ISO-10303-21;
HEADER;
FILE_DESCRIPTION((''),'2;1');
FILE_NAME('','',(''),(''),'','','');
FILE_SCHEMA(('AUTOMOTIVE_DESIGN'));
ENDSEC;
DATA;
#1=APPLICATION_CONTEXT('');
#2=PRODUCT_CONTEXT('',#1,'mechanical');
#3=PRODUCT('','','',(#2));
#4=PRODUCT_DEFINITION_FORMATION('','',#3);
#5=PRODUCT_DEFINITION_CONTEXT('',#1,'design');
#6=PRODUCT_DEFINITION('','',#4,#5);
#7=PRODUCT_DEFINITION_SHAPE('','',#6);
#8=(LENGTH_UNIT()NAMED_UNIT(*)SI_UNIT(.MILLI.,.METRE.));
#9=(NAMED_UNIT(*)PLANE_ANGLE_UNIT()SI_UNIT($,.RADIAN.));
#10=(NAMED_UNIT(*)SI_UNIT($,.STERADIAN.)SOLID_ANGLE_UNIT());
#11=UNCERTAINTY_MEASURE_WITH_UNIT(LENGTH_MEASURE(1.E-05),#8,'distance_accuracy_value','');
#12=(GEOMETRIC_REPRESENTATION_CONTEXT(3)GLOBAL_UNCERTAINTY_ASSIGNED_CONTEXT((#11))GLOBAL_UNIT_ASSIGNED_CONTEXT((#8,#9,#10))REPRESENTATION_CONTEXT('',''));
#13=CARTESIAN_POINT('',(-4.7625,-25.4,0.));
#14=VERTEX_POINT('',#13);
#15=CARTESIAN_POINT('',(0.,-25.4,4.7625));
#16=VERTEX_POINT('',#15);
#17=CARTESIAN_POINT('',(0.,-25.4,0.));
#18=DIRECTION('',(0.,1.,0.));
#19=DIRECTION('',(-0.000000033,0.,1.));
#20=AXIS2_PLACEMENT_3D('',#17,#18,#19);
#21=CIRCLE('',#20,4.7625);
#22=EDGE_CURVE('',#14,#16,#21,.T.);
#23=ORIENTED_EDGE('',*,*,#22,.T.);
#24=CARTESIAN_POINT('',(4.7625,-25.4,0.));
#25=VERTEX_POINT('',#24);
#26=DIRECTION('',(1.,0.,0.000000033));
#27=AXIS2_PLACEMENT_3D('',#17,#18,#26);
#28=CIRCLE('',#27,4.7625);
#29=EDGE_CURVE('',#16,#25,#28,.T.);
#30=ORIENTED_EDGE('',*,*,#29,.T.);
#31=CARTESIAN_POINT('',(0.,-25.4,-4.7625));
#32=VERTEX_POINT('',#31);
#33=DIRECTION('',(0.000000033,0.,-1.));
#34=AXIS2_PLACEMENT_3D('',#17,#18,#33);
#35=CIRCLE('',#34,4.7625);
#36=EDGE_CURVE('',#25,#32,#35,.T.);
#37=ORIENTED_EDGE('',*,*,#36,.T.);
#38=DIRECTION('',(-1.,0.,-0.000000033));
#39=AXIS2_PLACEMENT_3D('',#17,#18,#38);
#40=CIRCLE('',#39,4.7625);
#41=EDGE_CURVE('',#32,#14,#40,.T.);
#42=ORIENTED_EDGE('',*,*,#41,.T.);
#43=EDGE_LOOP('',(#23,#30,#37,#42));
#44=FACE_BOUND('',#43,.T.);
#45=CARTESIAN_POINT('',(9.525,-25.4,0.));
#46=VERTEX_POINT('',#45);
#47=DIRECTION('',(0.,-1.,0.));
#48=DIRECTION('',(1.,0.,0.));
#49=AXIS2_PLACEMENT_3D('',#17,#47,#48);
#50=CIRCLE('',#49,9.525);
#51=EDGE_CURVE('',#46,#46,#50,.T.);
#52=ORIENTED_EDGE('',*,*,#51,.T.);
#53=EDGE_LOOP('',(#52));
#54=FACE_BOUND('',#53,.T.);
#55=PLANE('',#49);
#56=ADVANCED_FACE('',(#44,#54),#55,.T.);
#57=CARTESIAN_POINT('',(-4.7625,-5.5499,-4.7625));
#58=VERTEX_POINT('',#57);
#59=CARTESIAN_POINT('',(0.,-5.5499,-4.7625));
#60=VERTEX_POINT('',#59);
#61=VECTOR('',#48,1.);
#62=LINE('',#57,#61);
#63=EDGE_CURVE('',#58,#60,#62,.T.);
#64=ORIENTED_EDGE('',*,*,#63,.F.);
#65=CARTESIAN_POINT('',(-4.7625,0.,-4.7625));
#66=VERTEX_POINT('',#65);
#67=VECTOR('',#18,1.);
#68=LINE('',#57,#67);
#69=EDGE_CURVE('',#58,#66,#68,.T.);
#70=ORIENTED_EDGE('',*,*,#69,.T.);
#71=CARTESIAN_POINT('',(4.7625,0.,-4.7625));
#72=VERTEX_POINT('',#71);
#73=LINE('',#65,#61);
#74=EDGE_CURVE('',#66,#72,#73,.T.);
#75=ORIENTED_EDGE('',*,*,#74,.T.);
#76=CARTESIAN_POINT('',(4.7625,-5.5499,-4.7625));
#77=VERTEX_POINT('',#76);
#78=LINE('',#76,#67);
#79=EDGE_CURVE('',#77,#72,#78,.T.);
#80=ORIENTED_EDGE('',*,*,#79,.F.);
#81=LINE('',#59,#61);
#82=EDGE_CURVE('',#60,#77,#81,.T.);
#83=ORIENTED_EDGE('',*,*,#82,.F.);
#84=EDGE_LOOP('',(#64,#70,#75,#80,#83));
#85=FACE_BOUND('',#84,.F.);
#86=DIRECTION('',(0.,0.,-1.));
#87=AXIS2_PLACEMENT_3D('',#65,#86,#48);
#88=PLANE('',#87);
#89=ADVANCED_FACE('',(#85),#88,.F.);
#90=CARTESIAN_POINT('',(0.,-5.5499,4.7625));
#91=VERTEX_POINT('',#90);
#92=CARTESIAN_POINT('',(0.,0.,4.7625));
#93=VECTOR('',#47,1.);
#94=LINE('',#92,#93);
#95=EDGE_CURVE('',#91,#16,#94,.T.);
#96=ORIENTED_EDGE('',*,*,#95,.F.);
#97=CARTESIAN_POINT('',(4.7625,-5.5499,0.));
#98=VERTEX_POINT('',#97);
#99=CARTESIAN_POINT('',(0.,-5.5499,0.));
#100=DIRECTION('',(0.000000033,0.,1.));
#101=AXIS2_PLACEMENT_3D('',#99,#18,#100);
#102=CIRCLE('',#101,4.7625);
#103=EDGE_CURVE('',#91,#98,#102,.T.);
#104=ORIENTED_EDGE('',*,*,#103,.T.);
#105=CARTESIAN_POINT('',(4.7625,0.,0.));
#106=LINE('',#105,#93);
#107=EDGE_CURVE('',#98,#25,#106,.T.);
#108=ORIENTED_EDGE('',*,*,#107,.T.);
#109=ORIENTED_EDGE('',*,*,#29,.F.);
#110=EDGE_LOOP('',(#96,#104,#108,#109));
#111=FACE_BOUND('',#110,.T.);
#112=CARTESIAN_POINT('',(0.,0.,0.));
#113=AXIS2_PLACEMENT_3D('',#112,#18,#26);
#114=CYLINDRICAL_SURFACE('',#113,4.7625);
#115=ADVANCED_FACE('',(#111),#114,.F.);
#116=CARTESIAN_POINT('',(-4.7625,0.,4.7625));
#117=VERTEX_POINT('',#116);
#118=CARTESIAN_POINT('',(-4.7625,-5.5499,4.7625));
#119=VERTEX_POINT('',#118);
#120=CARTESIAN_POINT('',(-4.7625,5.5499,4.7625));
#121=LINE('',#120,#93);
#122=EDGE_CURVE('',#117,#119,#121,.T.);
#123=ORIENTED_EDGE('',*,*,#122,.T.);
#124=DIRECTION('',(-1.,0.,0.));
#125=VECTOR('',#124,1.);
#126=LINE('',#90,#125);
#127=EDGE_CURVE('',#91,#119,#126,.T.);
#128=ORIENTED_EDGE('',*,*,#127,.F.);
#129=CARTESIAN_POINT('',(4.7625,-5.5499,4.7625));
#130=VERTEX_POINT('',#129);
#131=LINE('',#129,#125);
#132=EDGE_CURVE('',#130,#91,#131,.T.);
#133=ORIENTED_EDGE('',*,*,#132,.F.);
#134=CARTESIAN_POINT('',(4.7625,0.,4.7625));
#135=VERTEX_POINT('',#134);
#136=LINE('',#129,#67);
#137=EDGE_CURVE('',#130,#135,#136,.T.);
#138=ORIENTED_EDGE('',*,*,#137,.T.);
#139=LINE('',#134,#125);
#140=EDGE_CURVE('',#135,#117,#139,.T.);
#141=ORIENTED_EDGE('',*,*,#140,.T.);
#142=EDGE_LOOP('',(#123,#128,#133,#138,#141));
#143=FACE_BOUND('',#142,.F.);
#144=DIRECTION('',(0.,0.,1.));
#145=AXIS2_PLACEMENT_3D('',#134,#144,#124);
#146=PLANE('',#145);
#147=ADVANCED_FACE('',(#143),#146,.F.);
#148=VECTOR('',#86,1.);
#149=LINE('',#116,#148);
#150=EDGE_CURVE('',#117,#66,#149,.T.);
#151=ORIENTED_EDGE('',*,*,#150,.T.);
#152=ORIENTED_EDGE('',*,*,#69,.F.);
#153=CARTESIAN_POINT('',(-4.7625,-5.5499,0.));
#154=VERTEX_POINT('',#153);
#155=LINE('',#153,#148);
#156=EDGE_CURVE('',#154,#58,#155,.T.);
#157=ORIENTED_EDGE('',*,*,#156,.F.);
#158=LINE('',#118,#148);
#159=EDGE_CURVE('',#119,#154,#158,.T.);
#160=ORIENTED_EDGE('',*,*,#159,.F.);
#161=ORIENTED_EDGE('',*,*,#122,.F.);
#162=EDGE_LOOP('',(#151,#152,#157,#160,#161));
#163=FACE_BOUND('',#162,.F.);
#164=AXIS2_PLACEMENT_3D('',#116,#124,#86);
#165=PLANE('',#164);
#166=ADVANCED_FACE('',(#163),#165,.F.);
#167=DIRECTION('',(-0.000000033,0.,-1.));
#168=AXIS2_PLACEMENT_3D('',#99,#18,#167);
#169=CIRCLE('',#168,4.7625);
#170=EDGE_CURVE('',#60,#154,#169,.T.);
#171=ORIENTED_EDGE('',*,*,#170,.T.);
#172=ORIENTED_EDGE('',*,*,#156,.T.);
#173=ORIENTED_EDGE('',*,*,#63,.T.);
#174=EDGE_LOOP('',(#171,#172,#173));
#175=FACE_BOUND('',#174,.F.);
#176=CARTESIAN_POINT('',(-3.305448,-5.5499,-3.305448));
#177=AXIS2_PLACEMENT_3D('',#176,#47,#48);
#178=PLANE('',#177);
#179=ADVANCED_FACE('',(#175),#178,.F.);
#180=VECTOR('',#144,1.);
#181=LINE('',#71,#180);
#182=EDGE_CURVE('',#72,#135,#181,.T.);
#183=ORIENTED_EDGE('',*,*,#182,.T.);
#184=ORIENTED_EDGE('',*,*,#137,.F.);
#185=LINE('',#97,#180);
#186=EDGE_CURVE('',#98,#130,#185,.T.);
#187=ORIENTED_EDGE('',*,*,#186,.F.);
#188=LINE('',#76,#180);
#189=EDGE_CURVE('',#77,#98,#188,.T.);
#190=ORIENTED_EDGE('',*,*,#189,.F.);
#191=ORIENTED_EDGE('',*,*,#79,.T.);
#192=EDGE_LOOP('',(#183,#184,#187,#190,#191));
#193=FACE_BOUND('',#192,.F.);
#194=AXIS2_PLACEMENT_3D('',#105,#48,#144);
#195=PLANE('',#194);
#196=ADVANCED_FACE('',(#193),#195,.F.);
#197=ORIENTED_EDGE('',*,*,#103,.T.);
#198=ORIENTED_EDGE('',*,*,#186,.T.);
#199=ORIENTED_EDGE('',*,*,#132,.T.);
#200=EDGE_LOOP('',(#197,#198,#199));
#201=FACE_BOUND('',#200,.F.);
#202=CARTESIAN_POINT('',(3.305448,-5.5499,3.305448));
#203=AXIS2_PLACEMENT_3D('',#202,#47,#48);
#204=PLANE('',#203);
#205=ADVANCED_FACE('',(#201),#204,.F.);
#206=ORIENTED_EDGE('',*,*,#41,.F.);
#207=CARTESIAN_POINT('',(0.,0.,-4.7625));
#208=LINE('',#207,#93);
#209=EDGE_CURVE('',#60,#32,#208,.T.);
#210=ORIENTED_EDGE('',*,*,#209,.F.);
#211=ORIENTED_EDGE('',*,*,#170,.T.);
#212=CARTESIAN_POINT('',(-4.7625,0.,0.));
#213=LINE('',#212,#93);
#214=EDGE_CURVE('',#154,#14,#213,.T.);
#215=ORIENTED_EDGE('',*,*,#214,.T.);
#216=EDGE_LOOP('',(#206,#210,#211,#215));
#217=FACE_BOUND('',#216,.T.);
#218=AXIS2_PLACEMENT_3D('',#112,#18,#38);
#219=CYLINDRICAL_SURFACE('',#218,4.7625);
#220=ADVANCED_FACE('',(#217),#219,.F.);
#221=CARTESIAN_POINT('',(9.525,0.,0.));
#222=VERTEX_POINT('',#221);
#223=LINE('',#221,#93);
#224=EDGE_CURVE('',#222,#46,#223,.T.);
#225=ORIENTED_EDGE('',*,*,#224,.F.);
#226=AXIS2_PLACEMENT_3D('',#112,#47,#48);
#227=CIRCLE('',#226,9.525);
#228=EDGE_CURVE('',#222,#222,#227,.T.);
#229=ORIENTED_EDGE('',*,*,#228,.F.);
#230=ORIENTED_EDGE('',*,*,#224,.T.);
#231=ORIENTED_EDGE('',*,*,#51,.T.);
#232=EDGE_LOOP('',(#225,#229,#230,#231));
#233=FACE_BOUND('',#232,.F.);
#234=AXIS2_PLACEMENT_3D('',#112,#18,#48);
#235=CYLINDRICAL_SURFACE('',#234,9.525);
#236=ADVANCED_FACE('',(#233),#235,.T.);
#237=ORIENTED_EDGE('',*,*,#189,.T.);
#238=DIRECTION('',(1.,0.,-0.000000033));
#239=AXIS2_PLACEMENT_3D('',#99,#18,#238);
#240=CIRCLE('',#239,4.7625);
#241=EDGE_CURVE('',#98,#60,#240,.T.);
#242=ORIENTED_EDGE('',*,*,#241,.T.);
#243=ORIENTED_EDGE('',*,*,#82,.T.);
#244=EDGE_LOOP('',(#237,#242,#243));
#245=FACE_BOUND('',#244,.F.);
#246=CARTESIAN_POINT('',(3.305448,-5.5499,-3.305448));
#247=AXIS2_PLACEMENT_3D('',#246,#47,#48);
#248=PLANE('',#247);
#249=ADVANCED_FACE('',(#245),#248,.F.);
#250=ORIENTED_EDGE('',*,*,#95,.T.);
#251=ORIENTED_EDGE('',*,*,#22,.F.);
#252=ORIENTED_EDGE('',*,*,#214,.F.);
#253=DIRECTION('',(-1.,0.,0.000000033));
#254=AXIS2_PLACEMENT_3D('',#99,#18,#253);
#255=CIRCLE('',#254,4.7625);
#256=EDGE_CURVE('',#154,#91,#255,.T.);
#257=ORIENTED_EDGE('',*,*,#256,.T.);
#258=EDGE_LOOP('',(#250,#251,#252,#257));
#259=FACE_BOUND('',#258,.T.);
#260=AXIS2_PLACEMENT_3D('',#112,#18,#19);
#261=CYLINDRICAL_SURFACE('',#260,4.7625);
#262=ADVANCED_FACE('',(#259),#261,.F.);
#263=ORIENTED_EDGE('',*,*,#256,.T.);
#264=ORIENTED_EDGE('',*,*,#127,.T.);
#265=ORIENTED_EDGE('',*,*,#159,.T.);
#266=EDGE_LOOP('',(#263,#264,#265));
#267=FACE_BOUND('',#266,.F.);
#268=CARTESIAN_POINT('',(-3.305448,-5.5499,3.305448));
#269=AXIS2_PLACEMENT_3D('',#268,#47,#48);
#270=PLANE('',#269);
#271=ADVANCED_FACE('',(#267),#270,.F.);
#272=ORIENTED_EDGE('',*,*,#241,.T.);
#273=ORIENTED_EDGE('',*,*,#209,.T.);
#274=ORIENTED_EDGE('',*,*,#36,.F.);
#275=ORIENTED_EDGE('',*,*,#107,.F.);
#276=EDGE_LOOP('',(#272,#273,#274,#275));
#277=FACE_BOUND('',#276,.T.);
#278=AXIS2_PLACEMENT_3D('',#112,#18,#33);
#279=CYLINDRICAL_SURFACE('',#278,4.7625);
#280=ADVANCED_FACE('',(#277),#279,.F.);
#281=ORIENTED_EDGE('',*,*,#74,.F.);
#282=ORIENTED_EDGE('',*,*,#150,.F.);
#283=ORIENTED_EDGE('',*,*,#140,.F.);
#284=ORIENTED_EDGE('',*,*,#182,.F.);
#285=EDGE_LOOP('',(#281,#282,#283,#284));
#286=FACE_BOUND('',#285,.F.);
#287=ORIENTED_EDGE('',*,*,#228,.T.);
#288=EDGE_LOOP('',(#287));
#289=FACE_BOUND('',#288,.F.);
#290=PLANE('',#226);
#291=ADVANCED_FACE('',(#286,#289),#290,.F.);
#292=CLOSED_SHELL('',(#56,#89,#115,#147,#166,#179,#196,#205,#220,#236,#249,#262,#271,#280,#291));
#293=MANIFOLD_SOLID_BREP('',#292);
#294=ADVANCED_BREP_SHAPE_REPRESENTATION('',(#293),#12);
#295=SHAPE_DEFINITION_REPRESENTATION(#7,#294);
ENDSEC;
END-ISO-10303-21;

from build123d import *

# Parameters (mm, degrees)
F0_R     = 9.525
F1_DEPTH = 25.4
F3_DEPTH = 25.401
F4_DEPTH = 5.5499


with BuildPart() as f1:
    # F0 (on Front) → F1 (new body)
    with BuildSketch(Plane.XZ):
        Circle(F0_R)
    extrude(amount=F1_DEPTH)

    # F2 (on Front) → F3 (cut, through all)
    with BuildSketch(Plane.XZ):
        with BuildLine():
            ThreePointArc((4.7625, 0), (3.367596, 3.367596), (0, 4.7625))
            ThreePointArc((0, 4.7625), (-3.367596, 3.367596), (-4.7625, 0))
            ThreePointArc((-4.7625, 0), (-3.367596, -3.367596), (0, -4.7625))
            ThreePointArc((0, -4.7625), (3.367596, -3.367596), (4.7625, 0))
        make_face()
    extrude(amount=F3_DEPTH, mode=Mode.SUBTRACT)

    # F2 (on Front) → F4 (cut, symmetric)
    with BuildSketch(Plane.XZ):
        with BuildLine():
            Line((0, 4.7625), (-4.7625, 4.7625))
            Line((-4.7625, 4.7625), (-4.7625, 0))
            ThreePointArc((-4.7625, 0), (-3.367596, 3.367596), (0, 4.7625))
        make_face()
        with BuildLine():
            Line((4.7625, 4.7625), (0, 4.7625))
            ThreePointArc((0, 4.7625), (3.367596, 3.367596), (4.7625, 0))
            Line((4.7625, 0), (4.7625, 4.7625))
        make_face()
        with BuildLine():
            ThreePointArc((0, -4.7625), (-3.367596, -3.367596), (-4.7625, 0))
            Line((-4.7625, 0), (-4.7625, -4.7625))
            Line((-4.7625, -4.7625), (0, -4.7625))
        make_face()
        with BuildLine():
            Line((4.7625, -4.7625), (4.7625, 0))
            ThreePointArc((4.7625, 0), (3.367596, -3.367596), (0, -4.7625))
            Line((0, -4.7625), (4.7625, -4.7625))
        make_face()
    extrude(amount=F4_DEPTH, both=True, mode=Mode.SUBTRACT)


solid = f1.part
